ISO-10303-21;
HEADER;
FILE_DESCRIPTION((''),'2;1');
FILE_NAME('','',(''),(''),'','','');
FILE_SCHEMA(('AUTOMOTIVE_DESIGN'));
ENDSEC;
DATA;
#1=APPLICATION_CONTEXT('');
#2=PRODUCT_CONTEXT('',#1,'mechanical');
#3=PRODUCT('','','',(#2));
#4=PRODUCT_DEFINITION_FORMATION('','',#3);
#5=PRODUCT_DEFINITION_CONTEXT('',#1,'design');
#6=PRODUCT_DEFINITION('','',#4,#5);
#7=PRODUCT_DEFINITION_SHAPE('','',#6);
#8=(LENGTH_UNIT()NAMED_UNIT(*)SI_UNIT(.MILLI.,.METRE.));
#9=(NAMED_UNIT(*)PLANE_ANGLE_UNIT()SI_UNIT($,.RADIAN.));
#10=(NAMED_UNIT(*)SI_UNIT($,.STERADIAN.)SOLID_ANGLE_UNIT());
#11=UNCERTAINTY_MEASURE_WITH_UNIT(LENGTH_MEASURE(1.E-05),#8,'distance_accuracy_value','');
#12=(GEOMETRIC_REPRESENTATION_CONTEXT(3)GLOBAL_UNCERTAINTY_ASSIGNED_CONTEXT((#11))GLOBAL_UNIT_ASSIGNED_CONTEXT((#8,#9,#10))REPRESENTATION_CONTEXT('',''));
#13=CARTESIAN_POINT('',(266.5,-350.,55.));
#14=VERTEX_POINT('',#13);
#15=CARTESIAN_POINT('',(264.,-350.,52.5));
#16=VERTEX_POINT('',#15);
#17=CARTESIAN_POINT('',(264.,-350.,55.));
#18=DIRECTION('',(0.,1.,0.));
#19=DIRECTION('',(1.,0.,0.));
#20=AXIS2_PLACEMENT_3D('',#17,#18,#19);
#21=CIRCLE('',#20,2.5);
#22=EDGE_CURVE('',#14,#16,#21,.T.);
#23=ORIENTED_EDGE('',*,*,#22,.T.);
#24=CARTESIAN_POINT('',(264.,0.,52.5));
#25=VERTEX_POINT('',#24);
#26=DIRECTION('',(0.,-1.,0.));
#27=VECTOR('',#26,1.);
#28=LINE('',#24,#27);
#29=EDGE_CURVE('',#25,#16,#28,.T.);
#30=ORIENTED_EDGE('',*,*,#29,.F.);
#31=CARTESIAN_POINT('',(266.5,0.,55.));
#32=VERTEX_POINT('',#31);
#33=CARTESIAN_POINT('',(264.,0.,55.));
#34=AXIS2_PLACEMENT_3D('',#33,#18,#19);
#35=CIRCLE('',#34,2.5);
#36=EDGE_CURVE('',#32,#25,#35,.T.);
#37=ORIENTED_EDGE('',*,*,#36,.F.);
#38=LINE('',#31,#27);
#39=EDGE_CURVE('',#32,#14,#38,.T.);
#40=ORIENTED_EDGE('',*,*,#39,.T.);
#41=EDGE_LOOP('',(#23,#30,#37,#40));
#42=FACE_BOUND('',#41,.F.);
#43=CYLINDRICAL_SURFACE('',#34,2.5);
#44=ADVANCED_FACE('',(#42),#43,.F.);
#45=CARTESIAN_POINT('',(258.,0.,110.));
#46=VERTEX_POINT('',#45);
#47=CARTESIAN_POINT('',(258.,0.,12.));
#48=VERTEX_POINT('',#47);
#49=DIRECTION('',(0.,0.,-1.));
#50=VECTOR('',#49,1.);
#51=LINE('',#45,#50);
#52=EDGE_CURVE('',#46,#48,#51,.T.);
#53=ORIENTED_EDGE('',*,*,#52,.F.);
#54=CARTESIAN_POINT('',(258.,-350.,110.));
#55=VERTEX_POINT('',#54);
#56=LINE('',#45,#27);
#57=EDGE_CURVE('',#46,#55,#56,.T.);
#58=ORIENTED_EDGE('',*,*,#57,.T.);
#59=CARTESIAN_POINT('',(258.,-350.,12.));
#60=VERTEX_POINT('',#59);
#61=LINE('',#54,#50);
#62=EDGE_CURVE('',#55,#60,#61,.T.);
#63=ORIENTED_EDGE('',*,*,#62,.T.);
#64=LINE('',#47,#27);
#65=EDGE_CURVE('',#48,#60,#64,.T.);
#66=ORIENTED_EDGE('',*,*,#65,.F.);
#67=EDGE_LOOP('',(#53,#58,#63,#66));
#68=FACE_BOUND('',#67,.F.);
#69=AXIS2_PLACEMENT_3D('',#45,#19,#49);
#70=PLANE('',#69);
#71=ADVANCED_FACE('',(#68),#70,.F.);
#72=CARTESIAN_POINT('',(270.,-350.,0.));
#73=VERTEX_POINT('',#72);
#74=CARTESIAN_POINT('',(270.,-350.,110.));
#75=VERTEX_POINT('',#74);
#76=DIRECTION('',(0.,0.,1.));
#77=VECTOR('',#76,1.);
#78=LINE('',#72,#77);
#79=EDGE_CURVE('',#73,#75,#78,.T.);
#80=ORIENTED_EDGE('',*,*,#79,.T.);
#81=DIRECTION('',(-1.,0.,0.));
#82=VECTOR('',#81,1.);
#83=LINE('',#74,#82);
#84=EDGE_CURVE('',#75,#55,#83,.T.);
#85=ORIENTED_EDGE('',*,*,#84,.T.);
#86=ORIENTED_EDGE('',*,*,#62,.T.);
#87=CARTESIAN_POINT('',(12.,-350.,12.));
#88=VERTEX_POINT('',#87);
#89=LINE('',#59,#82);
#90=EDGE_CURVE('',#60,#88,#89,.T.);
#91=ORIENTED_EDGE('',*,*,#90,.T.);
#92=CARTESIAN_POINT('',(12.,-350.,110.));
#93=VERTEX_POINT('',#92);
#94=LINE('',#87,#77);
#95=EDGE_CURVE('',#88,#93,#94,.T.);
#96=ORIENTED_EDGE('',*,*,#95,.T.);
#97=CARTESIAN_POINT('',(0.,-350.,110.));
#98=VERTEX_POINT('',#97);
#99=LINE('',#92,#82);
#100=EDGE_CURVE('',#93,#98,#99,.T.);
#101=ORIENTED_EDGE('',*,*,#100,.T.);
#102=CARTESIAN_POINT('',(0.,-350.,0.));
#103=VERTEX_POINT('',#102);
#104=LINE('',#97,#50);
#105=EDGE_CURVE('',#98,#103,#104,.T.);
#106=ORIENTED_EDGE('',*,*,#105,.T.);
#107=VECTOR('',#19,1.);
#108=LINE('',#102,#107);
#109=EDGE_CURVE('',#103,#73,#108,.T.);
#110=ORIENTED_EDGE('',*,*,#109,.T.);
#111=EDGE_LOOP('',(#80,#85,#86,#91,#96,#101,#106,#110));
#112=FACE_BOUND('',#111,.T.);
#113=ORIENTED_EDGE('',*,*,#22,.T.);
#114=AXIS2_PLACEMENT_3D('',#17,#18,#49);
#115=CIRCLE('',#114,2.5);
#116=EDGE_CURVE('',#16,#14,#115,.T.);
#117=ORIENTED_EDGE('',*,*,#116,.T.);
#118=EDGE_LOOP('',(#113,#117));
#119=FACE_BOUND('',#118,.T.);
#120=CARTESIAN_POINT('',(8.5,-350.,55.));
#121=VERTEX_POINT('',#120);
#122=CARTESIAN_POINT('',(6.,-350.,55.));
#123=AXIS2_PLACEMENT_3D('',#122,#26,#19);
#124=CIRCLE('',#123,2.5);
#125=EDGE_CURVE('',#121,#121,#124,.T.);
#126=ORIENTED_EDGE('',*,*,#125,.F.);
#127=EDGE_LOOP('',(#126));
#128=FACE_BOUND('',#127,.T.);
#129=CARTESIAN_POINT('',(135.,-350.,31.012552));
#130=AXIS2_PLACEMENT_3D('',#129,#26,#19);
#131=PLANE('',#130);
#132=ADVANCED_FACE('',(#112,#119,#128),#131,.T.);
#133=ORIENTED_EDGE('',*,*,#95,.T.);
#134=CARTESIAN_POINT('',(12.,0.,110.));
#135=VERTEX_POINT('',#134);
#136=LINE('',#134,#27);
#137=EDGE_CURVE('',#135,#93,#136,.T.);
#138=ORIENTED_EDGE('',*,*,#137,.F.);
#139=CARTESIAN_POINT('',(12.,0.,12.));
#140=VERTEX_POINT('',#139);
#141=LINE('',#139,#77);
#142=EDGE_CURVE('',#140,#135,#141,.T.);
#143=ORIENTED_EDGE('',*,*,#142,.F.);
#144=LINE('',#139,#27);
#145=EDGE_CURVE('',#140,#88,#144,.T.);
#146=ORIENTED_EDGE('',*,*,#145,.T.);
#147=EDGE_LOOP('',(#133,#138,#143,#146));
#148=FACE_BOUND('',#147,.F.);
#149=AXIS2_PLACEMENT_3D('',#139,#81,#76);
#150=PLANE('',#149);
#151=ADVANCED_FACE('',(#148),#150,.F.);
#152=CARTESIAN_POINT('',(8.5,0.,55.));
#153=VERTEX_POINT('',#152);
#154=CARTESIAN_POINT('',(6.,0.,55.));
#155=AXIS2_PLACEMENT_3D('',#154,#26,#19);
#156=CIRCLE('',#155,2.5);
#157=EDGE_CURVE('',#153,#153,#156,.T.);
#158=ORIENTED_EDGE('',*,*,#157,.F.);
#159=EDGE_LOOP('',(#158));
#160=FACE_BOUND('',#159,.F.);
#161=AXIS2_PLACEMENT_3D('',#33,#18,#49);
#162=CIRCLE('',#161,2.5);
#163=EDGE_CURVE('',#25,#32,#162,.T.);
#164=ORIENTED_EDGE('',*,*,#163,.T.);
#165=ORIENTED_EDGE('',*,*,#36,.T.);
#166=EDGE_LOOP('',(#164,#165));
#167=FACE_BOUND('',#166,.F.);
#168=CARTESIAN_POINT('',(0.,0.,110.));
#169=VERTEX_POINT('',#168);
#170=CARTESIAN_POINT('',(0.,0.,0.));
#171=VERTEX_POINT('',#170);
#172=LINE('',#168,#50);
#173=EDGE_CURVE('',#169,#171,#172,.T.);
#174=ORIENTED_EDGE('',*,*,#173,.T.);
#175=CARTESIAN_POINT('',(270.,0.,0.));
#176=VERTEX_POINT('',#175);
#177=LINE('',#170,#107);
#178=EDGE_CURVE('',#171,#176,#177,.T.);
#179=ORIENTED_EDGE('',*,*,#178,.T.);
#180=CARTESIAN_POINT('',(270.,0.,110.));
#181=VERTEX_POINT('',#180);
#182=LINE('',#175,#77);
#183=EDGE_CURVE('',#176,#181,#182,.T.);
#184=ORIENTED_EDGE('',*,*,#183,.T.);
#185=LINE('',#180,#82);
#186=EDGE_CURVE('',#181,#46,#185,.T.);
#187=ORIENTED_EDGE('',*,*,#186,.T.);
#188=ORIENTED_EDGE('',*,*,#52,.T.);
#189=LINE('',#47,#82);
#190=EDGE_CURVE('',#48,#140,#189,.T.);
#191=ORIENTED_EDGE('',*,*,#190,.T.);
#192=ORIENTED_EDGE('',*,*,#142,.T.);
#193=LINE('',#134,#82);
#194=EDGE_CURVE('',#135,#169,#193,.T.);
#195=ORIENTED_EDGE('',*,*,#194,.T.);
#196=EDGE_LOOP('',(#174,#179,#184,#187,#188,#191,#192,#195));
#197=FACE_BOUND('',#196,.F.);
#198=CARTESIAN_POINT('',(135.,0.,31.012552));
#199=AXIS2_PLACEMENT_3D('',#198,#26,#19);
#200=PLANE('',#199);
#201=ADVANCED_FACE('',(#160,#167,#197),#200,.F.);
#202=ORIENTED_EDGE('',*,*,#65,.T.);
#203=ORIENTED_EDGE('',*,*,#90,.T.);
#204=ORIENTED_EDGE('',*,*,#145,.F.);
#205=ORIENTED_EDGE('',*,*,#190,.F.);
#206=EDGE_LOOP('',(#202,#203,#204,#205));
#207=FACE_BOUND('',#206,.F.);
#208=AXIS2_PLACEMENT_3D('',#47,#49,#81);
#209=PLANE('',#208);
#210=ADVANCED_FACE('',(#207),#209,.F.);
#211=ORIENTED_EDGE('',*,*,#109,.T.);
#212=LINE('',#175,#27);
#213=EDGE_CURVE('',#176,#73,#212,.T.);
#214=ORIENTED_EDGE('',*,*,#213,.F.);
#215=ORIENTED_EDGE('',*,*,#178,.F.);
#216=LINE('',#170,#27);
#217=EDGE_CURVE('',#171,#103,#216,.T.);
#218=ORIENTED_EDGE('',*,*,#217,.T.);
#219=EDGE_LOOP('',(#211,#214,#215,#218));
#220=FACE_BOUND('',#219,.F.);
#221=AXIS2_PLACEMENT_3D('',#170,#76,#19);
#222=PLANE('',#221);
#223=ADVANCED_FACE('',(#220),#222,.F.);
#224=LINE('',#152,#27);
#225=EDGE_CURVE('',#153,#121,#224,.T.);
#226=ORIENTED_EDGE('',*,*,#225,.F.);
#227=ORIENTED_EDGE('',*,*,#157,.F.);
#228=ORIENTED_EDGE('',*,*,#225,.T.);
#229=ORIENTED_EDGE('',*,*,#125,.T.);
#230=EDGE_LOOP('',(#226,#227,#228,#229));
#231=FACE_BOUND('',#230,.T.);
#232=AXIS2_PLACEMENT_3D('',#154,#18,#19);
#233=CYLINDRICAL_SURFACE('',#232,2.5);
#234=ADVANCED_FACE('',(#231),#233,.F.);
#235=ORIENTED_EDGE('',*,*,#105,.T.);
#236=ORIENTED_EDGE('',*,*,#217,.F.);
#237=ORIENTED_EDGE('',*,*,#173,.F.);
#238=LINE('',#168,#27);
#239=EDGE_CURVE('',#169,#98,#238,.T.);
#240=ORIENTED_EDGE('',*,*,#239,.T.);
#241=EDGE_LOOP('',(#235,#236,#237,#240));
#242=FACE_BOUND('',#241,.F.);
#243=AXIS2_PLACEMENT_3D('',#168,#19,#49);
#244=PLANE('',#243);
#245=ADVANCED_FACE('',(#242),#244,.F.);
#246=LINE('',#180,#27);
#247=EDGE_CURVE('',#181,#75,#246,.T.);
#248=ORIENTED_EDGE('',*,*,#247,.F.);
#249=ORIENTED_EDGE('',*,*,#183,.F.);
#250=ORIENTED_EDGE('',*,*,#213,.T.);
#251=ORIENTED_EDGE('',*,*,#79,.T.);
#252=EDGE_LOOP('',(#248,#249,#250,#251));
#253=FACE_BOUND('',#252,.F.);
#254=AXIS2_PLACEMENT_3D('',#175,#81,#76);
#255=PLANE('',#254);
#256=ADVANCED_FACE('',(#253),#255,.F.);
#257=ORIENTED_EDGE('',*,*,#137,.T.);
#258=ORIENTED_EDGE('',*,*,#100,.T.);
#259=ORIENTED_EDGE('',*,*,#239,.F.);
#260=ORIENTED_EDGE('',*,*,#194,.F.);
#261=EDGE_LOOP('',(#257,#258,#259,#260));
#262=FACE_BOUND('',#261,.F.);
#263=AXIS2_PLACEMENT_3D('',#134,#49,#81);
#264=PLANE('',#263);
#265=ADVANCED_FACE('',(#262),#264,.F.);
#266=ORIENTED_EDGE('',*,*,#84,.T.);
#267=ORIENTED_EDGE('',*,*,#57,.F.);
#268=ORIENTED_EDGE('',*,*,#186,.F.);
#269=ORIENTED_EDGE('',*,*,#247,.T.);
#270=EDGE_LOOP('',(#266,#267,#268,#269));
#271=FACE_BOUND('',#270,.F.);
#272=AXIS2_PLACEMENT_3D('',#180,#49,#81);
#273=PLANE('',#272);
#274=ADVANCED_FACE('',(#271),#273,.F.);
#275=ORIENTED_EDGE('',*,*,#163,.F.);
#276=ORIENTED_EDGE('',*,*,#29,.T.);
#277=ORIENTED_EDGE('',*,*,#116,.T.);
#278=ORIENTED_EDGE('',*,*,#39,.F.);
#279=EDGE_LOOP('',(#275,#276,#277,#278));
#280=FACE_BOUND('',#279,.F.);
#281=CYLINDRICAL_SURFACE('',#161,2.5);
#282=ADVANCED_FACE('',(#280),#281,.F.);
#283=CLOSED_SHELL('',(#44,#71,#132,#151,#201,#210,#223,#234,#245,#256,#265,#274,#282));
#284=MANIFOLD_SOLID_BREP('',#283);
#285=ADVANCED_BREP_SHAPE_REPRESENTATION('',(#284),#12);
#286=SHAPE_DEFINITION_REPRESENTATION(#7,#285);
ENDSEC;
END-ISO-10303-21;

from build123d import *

# Parameters (mm, degrees)
F0_R     = 2.5
F1_DEPTH = 350


with BuildPart() as f1:
    # F0 (on Front) → F1 (new body)
    with BuildSketch(Plane.XZ):
        Polygon((0, 110), (0, 0), (270, 0), (270, 110), (258, 110), (258, 12), (12, 12), (12, 110), align=None)
        with Locations((6, 55)):
            Circle(F0_R, mode=Mode.SUBTRACT)
        with BuildLine():
            ThreePointArc((264, 52.5), (262.232233047, 56.767766953), (266.5, 55))
            ThreePointArc((266.5, 55), (265.767766953, 53.232233047), (264, 52.5))
        make_face(mode=Mode.SUBTRACT)
    extrude(amount=F1_DEPTH)


solid = f1.part
